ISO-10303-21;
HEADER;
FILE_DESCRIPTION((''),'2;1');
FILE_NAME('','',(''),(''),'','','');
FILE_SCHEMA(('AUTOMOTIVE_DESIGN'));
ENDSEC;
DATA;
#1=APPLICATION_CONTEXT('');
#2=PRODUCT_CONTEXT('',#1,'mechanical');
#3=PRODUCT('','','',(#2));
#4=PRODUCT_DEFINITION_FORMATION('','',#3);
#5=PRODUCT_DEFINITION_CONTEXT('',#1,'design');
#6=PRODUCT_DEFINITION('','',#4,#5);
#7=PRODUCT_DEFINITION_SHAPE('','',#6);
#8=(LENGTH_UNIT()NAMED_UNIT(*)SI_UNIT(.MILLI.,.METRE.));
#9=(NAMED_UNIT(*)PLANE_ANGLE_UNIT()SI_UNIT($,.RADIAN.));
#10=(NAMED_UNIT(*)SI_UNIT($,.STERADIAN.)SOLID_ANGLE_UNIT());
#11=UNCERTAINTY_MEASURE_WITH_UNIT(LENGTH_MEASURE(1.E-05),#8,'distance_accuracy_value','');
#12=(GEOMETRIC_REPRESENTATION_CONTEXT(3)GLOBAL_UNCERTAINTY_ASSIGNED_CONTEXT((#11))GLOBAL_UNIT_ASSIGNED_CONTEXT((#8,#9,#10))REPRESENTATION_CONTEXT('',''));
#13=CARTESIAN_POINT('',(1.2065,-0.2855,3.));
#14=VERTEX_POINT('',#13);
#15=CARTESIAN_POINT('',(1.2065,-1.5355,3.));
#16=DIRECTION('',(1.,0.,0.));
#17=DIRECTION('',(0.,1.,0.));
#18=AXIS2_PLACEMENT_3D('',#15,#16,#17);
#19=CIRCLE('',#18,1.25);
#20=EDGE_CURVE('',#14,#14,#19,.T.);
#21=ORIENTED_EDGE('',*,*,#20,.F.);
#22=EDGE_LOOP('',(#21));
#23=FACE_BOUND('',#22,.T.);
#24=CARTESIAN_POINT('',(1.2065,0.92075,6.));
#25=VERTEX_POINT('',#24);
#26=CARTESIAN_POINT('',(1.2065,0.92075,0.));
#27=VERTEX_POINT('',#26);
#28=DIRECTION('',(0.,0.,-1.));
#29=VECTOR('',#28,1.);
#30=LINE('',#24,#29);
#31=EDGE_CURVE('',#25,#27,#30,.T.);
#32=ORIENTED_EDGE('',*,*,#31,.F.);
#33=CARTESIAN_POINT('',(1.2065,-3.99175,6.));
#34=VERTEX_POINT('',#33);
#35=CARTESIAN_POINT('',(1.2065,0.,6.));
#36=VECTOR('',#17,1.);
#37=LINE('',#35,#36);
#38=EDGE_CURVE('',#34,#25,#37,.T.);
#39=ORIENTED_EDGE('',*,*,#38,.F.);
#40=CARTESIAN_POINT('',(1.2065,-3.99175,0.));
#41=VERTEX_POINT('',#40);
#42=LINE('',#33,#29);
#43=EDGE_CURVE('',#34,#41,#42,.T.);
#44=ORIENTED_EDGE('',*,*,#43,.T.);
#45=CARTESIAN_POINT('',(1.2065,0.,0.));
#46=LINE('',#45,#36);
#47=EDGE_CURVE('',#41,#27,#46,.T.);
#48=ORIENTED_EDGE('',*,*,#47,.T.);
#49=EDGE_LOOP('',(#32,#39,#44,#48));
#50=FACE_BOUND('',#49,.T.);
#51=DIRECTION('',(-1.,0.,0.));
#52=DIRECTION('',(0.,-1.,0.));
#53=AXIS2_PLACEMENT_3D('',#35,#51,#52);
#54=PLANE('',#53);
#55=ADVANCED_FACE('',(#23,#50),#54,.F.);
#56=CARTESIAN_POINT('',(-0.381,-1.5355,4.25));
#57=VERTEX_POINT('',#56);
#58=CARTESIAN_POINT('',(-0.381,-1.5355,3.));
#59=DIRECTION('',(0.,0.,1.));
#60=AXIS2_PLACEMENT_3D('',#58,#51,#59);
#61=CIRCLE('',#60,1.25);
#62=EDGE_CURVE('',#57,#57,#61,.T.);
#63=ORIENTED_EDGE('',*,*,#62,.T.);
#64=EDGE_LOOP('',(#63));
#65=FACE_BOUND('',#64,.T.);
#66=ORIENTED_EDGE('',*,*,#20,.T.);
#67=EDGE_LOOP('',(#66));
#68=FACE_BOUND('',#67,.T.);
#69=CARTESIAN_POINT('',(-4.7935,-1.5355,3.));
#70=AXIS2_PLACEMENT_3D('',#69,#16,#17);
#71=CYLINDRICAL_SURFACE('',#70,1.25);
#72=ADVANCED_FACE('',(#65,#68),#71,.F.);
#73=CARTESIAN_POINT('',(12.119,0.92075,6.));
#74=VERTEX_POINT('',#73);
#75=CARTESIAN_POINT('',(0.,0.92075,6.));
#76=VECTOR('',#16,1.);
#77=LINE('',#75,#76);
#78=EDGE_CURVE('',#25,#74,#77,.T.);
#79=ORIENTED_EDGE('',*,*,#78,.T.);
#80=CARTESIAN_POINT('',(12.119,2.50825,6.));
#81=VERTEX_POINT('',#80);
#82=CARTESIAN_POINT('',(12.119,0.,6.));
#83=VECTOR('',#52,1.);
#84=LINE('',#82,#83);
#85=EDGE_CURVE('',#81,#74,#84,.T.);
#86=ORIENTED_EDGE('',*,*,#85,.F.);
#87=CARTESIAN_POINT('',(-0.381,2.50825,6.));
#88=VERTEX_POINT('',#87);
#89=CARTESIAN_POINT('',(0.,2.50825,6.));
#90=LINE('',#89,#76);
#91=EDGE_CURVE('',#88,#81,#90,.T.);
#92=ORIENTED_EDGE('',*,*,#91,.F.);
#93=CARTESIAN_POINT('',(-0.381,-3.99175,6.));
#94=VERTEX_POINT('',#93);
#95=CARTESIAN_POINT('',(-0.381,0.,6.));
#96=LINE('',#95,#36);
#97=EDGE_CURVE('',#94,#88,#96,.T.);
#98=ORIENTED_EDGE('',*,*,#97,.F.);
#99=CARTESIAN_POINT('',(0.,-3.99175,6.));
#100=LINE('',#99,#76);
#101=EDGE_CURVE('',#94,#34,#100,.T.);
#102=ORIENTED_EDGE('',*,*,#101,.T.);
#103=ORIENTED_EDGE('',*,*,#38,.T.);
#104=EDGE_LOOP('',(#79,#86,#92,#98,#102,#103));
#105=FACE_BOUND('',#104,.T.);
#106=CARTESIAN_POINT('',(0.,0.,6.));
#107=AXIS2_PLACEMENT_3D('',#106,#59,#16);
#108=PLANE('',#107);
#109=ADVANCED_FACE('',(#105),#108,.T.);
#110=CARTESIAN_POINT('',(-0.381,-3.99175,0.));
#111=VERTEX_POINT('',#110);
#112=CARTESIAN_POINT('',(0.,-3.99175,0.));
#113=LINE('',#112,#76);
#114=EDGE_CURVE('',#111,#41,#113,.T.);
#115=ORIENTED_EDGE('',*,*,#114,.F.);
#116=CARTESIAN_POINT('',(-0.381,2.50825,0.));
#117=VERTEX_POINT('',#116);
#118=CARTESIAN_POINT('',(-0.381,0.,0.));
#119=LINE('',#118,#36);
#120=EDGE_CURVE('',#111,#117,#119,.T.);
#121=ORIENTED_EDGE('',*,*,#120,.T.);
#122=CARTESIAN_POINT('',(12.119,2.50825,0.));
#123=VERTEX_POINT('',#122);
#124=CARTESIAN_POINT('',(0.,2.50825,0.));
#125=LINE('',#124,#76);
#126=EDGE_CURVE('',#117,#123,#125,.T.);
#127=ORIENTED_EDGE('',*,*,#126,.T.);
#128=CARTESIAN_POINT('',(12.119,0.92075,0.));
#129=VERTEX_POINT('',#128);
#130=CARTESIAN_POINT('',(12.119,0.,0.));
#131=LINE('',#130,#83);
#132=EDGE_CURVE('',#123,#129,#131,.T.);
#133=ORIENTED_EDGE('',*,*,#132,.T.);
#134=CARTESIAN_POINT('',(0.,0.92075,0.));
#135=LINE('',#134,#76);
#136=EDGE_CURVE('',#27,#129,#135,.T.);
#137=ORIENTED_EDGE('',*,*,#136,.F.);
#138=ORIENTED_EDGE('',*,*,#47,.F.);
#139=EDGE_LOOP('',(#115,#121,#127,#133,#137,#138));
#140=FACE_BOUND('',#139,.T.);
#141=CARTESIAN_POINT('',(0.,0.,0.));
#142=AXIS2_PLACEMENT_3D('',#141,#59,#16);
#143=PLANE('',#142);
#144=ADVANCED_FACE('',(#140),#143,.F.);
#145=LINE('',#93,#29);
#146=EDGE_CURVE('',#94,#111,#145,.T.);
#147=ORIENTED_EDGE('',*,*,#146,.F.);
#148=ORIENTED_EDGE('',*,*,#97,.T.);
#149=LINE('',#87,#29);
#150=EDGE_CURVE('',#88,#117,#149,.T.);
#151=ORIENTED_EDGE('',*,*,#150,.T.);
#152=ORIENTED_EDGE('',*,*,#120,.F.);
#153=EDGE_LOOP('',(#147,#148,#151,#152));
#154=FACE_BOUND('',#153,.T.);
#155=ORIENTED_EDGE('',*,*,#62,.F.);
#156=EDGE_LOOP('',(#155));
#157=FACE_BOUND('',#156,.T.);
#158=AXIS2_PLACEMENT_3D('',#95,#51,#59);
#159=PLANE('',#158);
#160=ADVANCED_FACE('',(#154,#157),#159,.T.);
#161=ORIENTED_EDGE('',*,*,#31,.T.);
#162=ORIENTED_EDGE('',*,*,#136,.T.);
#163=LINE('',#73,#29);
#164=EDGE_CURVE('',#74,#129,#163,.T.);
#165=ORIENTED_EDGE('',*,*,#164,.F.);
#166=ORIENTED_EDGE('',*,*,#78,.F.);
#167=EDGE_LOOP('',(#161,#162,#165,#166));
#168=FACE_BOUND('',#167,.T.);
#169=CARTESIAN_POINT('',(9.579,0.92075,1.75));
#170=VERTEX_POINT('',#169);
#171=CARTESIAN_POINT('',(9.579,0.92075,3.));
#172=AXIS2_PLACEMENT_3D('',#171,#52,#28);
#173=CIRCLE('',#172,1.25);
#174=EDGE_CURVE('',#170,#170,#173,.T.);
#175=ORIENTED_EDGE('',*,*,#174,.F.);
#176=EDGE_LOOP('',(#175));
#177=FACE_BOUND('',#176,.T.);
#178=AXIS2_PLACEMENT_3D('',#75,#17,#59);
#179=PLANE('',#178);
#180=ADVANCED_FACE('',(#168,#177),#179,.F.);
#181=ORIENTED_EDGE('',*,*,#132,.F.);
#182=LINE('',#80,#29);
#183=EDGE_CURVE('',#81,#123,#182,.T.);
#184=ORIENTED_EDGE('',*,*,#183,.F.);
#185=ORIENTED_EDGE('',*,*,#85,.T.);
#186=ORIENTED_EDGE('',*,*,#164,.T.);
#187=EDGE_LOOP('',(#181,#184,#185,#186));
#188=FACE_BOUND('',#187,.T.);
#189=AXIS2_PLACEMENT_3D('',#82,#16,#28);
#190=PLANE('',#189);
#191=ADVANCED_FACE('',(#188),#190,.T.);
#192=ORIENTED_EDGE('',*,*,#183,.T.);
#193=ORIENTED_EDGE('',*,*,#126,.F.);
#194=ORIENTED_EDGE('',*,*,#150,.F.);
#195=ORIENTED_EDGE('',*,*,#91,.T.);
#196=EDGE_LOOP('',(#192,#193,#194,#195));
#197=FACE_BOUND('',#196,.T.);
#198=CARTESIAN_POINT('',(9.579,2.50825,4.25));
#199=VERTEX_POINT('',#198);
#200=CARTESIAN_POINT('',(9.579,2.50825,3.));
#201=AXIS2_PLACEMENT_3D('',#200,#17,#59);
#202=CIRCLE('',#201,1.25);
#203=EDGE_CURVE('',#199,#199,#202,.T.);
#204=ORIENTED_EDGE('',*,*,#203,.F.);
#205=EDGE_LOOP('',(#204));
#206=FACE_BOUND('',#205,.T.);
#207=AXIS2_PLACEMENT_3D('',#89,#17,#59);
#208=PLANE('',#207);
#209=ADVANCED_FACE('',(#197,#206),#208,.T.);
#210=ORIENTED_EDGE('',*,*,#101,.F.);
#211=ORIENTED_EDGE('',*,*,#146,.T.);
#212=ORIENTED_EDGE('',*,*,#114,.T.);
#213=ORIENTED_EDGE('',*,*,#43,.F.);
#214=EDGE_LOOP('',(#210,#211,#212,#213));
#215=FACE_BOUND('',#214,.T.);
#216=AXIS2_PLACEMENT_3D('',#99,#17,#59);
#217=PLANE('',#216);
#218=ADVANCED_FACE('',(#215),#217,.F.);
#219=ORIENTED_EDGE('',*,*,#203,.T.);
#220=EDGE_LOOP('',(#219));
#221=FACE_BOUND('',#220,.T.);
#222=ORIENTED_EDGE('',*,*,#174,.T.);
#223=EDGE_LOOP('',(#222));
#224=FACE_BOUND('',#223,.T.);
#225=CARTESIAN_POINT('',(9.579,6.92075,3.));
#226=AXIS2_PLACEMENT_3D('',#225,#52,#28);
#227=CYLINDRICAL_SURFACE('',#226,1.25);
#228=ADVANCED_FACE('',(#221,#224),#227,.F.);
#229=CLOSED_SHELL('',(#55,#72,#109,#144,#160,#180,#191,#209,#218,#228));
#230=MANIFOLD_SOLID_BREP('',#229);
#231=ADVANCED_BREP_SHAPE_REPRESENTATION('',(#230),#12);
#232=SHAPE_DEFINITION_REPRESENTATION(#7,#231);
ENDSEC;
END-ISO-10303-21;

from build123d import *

# Parameters (mm, degrees)
SKETCH1_W           = 1.5875
SKETCH1_H           = 6.5
SKETCH1_W_2         = 10.9125
SKETCH1_H_2         = 1.5875
BOSS_EXTRUDE1_DEPTH = 6
SKETCH2_R           = 1.25
CUT_EXTRUDE1_DEPTH  = 6
SKETCH3_R           = 1.25
CUT_EXTRUDE2_DEPTH  = 6


with BuildPart() as part:
    # Sketch1 → Boss-Extrude1 (new body)
    with BuildSketch(Plane.XY):
        with Locations((0.41275, -0.74175)):
            Rectangle(SKETCH1_W, SKETCH1_H)
        with Locations((6.66275, 1.7145)):
            Rectangle(SKETCH1_W_2, SKETCH1_H_2)
    extrude(amount=BOSS_EXTRUDE1_DEPTH)

    # Sketch2 → Cut-Extrude1 (cut)
    with BuildSketch(Plane(origin=(1.2065, 0, 0), x_dir=(0, 0, -1), z_dir=(1, 0, 0))):
        with Locations(Location((-3, -1.5355, 0), (0, 0, 90))):
            Circle(SKETCH2_R)
    extrude(amount=-CUT_EXTRUDE1_DEPTH, mode=Mode.SUBTRACT)

    # Sketch3 → Cut-Extrude2 (cut)
    with BuildSketch(Plane.XZ.offset(-0.92075)):
        with Locations(Location((9.579, 3, 0), (0, 0, 270))):
            Circle(SKETCH3_R)
    extrude(amount=-CUT_EXTRUDE2_DEPTH, mode=Mode.SUBTRACT)


solid = part.part
